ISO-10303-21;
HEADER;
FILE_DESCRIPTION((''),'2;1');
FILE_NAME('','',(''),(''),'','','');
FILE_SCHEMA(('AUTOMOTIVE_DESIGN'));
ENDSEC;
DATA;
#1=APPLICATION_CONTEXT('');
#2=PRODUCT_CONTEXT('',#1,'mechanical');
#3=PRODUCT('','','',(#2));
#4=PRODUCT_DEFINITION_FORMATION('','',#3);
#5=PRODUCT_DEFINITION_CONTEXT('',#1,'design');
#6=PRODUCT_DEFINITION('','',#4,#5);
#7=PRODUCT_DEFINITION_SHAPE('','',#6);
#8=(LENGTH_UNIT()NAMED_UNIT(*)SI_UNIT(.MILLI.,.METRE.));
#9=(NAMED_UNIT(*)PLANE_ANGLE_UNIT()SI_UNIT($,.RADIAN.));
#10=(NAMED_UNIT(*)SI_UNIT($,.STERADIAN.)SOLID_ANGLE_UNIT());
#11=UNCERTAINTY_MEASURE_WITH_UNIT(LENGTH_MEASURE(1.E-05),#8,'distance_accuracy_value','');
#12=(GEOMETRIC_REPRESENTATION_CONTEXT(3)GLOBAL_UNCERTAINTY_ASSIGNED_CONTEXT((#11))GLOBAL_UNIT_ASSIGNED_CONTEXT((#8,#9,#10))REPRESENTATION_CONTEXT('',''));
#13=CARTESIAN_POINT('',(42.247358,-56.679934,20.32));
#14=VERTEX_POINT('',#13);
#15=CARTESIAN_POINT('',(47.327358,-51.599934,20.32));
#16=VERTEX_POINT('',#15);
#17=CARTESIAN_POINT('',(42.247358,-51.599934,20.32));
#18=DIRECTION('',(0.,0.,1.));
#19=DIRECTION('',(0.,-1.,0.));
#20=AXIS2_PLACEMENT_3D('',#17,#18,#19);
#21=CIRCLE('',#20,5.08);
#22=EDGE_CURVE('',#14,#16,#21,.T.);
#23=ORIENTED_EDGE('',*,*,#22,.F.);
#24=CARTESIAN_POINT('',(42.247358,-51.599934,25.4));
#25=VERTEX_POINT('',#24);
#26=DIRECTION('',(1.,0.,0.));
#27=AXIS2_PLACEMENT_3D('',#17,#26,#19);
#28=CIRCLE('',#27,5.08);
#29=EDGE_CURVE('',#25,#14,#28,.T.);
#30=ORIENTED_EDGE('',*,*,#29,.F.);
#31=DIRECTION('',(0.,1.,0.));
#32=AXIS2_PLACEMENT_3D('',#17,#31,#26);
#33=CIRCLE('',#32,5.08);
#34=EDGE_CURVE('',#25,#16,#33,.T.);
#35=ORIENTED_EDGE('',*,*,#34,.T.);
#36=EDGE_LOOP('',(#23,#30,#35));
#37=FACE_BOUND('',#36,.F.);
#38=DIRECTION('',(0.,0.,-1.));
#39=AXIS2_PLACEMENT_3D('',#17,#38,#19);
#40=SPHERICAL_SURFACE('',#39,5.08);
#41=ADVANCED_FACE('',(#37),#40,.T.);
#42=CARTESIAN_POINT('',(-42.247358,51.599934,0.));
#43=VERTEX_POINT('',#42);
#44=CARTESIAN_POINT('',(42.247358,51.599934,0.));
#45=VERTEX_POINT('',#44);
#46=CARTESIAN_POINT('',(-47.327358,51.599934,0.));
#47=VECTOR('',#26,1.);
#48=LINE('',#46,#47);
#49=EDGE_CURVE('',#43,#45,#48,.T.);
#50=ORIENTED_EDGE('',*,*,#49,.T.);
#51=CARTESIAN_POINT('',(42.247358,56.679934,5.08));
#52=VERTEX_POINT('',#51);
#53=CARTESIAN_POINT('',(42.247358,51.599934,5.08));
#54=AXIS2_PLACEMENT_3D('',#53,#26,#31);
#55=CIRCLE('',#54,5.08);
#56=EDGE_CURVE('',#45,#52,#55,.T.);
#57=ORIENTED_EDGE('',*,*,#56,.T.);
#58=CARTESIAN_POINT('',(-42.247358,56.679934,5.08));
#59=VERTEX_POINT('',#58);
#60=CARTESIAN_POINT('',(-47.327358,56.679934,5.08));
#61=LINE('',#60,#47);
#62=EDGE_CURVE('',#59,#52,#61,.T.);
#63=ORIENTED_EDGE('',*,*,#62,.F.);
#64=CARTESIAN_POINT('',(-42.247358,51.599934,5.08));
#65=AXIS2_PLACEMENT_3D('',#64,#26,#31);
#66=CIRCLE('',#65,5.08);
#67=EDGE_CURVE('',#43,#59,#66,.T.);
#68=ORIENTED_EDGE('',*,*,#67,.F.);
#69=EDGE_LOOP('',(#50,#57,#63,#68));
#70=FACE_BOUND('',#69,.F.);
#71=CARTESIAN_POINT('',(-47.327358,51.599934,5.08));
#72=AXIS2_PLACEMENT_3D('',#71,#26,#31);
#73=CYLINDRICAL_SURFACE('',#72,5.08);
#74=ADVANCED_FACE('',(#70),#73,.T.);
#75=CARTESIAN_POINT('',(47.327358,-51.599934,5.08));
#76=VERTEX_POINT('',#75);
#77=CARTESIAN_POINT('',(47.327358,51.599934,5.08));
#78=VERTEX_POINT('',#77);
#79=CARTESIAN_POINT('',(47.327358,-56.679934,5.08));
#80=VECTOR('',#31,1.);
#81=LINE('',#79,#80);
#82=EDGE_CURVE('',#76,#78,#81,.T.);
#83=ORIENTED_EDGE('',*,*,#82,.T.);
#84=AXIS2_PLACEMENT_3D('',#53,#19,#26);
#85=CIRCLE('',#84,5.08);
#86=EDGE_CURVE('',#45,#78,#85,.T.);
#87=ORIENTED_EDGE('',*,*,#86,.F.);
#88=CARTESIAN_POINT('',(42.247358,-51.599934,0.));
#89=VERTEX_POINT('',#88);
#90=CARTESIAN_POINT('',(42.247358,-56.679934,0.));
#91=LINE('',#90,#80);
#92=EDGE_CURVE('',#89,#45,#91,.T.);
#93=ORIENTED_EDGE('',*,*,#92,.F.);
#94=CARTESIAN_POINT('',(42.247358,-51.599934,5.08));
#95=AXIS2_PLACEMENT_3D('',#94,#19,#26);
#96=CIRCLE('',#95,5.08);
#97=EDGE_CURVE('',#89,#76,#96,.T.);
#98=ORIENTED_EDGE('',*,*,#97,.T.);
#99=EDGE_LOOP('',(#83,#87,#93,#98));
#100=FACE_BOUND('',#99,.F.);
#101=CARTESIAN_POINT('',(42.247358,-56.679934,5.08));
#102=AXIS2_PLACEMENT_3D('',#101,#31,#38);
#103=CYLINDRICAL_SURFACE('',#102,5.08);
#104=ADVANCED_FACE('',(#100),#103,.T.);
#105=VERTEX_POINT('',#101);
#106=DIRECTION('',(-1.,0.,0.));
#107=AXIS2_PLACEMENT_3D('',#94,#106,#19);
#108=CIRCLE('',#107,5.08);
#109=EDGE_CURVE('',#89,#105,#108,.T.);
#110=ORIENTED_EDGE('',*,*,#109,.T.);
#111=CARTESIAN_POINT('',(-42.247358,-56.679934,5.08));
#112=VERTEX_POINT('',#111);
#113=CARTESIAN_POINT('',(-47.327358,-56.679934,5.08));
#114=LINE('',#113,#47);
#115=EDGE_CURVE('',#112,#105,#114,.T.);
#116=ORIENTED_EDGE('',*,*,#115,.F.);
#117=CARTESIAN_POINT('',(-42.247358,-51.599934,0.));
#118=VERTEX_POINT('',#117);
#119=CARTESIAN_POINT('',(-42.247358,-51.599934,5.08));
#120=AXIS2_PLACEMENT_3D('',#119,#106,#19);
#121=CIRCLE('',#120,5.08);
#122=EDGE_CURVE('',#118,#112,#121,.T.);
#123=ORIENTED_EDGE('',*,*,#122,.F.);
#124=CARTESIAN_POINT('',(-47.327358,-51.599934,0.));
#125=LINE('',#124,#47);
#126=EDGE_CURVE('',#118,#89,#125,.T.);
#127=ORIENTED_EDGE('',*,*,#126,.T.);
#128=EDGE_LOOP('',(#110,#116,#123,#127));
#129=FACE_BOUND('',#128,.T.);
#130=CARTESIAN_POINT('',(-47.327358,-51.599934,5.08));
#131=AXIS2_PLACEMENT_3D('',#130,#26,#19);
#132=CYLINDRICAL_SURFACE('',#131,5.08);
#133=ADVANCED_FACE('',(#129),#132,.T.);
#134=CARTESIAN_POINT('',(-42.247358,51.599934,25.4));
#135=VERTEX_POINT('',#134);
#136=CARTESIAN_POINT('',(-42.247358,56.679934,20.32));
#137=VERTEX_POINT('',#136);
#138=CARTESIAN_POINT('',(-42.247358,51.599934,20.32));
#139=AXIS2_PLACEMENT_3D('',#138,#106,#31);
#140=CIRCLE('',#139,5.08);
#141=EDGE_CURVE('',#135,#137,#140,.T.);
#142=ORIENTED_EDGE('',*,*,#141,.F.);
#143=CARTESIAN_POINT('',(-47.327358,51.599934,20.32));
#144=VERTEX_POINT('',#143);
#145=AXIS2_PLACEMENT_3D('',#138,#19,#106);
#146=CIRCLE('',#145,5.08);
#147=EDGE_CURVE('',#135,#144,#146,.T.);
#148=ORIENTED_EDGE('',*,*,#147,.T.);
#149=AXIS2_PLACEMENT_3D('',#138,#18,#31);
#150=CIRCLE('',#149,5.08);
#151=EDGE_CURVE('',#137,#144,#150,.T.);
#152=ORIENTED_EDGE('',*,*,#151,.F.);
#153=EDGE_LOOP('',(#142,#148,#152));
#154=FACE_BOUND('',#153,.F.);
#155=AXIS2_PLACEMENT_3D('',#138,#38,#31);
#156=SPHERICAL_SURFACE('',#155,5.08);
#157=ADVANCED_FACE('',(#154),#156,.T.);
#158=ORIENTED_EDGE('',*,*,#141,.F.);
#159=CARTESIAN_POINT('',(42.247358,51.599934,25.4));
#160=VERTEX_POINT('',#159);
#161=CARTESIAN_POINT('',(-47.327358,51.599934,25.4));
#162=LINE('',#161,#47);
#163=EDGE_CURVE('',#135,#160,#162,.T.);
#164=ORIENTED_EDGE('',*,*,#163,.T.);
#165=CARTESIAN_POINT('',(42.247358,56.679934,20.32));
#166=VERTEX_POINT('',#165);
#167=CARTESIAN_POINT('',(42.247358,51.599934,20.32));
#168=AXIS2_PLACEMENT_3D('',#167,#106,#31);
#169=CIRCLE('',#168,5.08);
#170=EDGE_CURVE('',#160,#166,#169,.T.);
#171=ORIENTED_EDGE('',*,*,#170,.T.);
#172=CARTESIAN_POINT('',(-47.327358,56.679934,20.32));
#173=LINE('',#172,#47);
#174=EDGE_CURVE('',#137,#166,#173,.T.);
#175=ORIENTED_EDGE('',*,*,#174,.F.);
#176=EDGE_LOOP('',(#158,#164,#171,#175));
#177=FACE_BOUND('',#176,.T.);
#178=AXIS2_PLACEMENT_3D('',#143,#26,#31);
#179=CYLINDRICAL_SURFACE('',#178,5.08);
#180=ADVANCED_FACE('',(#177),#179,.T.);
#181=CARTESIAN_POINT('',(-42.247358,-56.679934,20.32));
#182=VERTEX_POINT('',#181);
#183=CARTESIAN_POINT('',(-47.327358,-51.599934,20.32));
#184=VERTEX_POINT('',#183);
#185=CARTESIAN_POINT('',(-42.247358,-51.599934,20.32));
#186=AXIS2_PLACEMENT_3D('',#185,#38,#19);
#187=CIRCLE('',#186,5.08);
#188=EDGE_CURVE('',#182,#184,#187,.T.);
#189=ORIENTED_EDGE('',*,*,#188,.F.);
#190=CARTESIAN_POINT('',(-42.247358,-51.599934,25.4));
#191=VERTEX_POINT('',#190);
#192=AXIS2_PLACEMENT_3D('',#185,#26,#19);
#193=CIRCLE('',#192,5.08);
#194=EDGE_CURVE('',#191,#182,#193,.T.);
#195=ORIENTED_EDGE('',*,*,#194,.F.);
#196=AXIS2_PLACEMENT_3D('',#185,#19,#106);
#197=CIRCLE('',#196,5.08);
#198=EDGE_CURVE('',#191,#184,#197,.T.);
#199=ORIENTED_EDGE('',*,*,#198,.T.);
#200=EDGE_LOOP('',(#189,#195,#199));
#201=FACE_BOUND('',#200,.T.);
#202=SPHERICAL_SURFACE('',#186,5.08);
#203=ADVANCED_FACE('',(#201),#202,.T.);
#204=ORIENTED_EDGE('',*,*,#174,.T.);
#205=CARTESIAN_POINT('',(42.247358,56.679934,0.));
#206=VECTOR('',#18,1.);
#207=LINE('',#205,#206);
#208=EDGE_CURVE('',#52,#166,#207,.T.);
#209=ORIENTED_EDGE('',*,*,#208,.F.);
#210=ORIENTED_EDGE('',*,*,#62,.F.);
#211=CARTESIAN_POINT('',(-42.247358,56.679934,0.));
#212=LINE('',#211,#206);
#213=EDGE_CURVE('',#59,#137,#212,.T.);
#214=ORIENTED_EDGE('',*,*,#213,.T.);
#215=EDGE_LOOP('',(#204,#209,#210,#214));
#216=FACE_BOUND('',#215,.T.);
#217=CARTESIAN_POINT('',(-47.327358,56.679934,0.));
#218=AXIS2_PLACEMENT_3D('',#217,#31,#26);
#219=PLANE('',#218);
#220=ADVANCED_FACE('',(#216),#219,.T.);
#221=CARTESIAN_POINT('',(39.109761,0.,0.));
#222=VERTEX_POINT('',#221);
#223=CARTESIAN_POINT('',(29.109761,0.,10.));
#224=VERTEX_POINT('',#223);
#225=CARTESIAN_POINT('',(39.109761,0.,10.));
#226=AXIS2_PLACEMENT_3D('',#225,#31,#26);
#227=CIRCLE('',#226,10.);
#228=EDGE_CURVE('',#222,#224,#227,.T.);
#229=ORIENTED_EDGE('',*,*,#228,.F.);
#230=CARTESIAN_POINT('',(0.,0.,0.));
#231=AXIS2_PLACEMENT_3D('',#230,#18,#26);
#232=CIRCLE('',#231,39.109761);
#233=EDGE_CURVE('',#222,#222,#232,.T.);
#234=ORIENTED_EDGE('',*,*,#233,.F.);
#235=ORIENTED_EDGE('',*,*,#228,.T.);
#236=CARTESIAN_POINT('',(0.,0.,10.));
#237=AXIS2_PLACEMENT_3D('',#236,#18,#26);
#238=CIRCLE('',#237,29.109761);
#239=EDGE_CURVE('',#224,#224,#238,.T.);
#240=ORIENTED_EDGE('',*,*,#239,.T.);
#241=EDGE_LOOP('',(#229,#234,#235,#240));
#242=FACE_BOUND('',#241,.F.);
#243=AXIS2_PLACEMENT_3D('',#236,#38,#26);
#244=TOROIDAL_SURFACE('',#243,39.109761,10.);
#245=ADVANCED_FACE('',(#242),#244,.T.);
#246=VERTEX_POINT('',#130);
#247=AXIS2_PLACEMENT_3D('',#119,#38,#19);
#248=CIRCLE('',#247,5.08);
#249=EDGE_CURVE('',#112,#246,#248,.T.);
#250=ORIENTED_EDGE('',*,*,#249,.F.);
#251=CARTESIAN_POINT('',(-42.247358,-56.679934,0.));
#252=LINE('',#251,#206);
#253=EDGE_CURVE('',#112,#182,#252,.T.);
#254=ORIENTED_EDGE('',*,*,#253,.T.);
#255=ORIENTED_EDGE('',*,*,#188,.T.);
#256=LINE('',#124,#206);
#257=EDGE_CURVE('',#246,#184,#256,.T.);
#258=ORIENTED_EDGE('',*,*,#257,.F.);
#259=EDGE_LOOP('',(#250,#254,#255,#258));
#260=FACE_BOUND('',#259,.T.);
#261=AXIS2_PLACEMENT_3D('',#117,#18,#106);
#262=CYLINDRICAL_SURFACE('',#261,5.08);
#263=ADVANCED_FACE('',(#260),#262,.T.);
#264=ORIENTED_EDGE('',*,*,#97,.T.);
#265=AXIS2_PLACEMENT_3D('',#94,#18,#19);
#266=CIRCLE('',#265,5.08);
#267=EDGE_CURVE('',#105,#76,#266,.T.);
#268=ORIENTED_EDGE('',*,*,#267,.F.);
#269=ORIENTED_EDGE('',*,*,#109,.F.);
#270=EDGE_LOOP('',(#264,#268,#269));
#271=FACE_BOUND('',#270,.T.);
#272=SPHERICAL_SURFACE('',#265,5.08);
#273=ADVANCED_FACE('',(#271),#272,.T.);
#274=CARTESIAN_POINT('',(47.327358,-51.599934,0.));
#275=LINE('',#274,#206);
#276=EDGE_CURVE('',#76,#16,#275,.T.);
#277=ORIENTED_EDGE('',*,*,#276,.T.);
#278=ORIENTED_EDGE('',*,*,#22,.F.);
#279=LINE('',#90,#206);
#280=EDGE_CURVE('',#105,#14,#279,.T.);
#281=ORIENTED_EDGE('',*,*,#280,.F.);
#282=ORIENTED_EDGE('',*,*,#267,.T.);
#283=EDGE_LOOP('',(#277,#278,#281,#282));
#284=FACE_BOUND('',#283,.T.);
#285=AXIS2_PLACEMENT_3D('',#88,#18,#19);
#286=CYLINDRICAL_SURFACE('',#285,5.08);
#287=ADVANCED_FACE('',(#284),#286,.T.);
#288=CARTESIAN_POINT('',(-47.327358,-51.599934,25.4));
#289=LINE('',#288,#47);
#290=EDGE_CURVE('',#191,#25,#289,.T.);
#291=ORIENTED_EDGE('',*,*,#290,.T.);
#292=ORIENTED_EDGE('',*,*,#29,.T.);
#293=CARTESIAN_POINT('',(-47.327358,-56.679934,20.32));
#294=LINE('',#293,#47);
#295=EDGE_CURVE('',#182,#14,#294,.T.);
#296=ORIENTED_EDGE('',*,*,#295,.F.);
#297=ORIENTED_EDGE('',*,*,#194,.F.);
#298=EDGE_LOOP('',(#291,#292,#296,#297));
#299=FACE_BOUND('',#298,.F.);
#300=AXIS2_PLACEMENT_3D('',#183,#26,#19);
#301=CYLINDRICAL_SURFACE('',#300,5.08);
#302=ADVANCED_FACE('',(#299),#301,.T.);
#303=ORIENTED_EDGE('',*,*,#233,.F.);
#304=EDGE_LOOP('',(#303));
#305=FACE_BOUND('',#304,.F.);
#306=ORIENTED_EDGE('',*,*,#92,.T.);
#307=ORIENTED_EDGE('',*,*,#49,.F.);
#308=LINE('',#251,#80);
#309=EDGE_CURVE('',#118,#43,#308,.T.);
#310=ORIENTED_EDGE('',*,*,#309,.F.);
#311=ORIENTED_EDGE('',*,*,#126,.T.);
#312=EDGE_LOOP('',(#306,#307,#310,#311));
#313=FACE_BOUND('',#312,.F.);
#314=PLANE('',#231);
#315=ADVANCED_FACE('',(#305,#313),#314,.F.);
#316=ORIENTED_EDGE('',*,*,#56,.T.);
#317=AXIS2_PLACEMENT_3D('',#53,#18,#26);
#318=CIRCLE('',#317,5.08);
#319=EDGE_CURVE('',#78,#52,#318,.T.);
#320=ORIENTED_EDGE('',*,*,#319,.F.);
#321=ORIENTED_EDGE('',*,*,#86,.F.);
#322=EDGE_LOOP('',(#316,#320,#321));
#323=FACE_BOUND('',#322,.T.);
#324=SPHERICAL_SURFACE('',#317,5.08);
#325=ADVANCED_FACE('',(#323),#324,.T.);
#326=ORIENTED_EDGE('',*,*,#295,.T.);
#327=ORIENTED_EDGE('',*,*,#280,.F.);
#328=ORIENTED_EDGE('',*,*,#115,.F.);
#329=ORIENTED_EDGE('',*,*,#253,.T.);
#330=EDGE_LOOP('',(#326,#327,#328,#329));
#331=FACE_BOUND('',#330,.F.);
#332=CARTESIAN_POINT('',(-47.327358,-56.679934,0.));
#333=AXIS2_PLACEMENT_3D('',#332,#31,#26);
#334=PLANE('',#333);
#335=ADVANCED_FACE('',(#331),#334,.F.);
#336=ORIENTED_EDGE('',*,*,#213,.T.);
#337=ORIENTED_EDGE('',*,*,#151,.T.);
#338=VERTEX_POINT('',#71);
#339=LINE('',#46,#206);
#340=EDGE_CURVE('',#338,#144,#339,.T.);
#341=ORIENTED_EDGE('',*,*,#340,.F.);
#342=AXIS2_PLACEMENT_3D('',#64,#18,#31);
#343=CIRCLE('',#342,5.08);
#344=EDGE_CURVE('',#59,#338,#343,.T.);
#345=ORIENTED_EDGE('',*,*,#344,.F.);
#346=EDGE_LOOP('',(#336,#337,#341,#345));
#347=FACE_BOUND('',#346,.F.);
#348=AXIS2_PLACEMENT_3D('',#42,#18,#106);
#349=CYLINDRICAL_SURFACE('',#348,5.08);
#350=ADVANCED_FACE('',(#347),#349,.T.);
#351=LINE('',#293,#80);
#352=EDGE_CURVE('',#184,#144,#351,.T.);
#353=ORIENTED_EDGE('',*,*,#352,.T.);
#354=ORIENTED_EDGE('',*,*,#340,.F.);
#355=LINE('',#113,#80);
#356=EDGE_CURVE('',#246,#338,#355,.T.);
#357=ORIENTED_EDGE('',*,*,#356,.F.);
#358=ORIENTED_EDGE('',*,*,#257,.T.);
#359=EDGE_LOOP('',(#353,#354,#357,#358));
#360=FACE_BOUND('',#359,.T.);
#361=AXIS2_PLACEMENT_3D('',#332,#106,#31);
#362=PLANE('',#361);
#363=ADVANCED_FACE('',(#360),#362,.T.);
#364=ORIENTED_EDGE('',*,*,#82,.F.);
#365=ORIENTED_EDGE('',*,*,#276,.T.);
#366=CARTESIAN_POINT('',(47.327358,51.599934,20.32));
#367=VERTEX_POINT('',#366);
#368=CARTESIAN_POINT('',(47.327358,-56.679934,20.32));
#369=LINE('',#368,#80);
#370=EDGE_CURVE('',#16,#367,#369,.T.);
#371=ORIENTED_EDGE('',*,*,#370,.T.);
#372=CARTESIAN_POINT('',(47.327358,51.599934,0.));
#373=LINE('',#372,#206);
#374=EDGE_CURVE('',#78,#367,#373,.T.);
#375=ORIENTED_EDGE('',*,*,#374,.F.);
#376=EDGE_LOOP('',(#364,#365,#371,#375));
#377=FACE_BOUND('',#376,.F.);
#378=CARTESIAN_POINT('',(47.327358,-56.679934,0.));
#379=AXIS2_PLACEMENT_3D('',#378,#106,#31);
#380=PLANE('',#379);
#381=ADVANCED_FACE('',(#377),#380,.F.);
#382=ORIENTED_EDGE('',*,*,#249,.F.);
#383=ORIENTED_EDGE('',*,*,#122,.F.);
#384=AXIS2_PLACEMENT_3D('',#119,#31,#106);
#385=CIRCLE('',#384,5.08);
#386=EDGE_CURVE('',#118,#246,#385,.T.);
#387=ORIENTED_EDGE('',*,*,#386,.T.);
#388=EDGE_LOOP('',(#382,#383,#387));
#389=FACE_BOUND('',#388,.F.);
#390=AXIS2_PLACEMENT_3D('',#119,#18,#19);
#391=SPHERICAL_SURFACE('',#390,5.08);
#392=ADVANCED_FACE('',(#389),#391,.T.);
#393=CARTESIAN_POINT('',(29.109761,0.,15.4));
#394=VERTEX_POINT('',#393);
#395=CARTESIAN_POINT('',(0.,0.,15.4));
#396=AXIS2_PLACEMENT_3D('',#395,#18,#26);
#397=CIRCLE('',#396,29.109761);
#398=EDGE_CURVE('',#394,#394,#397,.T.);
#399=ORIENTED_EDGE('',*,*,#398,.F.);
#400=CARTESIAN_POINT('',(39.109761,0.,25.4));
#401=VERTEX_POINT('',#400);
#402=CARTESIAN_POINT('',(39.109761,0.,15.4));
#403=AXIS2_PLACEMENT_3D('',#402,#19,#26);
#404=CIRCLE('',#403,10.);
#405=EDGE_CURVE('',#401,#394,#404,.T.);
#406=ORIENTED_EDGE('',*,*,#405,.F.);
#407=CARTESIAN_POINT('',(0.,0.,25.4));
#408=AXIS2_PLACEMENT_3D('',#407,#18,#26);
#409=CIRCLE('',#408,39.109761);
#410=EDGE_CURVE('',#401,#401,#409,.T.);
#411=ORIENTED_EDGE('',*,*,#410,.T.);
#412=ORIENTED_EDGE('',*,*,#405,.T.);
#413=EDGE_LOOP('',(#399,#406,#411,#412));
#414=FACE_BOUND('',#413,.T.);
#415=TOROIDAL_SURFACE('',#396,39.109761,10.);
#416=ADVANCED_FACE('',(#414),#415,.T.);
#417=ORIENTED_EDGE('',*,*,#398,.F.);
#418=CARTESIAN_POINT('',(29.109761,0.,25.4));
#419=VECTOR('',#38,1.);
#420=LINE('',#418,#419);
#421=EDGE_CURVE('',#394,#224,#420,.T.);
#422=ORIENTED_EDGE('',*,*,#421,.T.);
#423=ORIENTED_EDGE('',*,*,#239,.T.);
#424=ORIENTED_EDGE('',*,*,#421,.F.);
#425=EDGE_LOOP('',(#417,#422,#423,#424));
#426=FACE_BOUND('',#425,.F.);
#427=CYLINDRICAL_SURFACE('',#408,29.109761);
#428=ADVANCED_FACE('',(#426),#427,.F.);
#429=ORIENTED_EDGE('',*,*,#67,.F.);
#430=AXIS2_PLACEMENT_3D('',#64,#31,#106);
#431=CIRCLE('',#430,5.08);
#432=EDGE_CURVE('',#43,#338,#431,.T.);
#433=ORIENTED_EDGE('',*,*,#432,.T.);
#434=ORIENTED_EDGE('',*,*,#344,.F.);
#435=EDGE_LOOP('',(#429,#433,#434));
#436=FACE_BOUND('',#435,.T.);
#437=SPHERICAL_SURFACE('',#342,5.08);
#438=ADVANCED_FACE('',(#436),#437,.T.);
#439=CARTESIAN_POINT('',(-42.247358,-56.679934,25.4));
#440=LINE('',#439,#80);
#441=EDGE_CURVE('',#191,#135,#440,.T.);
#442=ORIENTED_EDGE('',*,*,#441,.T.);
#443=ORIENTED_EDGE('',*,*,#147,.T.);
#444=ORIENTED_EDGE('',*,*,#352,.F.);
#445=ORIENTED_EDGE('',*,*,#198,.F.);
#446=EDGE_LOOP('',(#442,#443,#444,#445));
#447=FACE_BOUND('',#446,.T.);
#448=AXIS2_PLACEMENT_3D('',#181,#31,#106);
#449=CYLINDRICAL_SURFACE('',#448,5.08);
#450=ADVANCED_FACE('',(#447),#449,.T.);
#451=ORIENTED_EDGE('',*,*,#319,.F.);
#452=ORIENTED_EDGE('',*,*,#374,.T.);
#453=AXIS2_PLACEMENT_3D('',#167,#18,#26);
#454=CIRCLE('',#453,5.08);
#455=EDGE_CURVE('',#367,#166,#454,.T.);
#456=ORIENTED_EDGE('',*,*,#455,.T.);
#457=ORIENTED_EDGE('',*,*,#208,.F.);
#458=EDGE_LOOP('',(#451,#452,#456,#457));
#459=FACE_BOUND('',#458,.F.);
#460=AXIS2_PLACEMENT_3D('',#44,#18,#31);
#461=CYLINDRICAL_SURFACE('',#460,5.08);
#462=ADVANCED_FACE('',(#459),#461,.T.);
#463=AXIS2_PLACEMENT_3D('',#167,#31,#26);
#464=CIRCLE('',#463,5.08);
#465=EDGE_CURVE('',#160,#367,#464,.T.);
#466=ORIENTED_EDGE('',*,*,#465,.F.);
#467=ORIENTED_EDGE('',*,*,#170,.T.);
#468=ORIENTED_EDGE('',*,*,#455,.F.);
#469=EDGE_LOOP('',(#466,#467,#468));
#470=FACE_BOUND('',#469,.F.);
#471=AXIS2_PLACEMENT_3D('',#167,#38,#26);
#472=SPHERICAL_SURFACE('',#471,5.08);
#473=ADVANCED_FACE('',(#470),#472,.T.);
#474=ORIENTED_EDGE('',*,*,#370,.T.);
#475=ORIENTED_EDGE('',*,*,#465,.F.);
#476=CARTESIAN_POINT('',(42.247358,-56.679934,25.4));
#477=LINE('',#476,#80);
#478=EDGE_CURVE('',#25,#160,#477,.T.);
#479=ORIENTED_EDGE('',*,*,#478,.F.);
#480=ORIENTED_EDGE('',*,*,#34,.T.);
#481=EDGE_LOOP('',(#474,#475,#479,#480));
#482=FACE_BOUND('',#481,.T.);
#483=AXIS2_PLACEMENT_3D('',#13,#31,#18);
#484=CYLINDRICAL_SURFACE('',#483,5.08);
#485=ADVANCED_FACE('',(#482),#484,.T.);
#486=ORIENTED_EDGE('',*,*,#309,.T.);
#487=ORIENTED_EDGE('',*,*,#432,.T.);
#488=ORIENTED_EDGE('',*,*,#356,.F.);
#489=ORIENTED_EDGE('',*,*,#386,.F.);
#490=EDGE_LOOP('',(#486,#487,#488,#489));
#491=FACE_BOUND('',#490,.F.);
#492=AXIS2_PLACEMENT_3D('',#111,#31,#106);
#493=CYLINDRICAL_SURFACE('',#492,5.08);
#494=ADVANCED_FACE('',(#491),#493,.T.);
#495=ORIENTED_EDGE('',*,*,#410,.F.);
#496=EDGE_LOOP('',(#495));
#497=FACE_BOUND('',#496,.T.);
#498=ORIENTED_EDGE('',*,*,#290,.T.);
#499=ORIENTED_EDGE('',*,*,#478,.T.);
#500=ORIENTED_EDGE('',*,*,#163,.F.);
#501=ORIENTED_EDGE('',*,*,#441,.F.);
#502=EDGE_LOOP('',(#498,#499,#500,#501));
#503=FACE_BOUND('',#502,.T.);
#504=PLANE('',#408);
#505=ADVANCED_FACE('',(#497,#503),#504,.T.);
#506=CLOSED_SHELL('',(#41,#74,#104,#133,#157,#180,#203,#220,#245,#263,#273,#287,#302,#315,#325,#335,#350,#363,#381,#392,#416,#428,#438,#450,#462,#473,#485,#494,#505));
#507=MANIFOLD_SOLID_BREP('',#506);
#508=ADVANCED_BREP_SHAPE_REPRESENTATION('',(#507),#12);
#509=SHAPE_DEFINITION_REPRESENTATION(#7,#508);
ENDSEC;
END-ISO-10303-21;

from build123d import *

# Parameters (mm, degrees)
F0_W     = 94.654716
F0_H     = 113.359868
F1_DEPTH = 25.4
F2_R     = 29.109761
F3_DEPTH = 25.401
F4_R     = 5.08
F5_R     = 10


with BuildPart() as f1:
    # F0 (on Top) → F1 (new body)
    with BuildSketch(Plane.XY):
        Rectangle(F0_W, F0_H)
    extrude(amount=F1_DEPTH)

    # F2 (on face) → F3 (cut, through all)
    with BuildSketch(Plane.XY.offset(25.4)):
        Circle(F2_R)
    extrude(amount=-F3_DEPTH, mode=Mode.SUBTRACT)

    # F4
    f4_edges = [f1.edges().sort_by_distance(p)[0] for p in [
        (-47.327358, -56.679934, 12.7),
        (47.327358, -56.679934, 12.7),
        (0, -56.679934, 0),
        (0, -56.679934, 25.4),
        (47.327358, 56.679934, 12.7),
        (47.327358, 0, 0),
        (47.327358, 0, 25.4),
        (-47.327358, 56.679934, 12.7),
        (0, 56.679934, 0),
        (0, 56.679934, 25.4),
        (-47.327358, 0, 0),
        (-47.327358, 0, 25.4),
    ]]
    fillet(f4_edges, radius=F4_R)

    # F5
    f5_edges = [f1.edges().sort_by_distance(p)[0] for p in [
        (-29.109761, 0, 25.4),
        (29.109761, 0, 12.7),
        (-29.109761, 0, 0),
    ]]
    fillet(f5_edges, radius=F5_R)


solid = f1.part
